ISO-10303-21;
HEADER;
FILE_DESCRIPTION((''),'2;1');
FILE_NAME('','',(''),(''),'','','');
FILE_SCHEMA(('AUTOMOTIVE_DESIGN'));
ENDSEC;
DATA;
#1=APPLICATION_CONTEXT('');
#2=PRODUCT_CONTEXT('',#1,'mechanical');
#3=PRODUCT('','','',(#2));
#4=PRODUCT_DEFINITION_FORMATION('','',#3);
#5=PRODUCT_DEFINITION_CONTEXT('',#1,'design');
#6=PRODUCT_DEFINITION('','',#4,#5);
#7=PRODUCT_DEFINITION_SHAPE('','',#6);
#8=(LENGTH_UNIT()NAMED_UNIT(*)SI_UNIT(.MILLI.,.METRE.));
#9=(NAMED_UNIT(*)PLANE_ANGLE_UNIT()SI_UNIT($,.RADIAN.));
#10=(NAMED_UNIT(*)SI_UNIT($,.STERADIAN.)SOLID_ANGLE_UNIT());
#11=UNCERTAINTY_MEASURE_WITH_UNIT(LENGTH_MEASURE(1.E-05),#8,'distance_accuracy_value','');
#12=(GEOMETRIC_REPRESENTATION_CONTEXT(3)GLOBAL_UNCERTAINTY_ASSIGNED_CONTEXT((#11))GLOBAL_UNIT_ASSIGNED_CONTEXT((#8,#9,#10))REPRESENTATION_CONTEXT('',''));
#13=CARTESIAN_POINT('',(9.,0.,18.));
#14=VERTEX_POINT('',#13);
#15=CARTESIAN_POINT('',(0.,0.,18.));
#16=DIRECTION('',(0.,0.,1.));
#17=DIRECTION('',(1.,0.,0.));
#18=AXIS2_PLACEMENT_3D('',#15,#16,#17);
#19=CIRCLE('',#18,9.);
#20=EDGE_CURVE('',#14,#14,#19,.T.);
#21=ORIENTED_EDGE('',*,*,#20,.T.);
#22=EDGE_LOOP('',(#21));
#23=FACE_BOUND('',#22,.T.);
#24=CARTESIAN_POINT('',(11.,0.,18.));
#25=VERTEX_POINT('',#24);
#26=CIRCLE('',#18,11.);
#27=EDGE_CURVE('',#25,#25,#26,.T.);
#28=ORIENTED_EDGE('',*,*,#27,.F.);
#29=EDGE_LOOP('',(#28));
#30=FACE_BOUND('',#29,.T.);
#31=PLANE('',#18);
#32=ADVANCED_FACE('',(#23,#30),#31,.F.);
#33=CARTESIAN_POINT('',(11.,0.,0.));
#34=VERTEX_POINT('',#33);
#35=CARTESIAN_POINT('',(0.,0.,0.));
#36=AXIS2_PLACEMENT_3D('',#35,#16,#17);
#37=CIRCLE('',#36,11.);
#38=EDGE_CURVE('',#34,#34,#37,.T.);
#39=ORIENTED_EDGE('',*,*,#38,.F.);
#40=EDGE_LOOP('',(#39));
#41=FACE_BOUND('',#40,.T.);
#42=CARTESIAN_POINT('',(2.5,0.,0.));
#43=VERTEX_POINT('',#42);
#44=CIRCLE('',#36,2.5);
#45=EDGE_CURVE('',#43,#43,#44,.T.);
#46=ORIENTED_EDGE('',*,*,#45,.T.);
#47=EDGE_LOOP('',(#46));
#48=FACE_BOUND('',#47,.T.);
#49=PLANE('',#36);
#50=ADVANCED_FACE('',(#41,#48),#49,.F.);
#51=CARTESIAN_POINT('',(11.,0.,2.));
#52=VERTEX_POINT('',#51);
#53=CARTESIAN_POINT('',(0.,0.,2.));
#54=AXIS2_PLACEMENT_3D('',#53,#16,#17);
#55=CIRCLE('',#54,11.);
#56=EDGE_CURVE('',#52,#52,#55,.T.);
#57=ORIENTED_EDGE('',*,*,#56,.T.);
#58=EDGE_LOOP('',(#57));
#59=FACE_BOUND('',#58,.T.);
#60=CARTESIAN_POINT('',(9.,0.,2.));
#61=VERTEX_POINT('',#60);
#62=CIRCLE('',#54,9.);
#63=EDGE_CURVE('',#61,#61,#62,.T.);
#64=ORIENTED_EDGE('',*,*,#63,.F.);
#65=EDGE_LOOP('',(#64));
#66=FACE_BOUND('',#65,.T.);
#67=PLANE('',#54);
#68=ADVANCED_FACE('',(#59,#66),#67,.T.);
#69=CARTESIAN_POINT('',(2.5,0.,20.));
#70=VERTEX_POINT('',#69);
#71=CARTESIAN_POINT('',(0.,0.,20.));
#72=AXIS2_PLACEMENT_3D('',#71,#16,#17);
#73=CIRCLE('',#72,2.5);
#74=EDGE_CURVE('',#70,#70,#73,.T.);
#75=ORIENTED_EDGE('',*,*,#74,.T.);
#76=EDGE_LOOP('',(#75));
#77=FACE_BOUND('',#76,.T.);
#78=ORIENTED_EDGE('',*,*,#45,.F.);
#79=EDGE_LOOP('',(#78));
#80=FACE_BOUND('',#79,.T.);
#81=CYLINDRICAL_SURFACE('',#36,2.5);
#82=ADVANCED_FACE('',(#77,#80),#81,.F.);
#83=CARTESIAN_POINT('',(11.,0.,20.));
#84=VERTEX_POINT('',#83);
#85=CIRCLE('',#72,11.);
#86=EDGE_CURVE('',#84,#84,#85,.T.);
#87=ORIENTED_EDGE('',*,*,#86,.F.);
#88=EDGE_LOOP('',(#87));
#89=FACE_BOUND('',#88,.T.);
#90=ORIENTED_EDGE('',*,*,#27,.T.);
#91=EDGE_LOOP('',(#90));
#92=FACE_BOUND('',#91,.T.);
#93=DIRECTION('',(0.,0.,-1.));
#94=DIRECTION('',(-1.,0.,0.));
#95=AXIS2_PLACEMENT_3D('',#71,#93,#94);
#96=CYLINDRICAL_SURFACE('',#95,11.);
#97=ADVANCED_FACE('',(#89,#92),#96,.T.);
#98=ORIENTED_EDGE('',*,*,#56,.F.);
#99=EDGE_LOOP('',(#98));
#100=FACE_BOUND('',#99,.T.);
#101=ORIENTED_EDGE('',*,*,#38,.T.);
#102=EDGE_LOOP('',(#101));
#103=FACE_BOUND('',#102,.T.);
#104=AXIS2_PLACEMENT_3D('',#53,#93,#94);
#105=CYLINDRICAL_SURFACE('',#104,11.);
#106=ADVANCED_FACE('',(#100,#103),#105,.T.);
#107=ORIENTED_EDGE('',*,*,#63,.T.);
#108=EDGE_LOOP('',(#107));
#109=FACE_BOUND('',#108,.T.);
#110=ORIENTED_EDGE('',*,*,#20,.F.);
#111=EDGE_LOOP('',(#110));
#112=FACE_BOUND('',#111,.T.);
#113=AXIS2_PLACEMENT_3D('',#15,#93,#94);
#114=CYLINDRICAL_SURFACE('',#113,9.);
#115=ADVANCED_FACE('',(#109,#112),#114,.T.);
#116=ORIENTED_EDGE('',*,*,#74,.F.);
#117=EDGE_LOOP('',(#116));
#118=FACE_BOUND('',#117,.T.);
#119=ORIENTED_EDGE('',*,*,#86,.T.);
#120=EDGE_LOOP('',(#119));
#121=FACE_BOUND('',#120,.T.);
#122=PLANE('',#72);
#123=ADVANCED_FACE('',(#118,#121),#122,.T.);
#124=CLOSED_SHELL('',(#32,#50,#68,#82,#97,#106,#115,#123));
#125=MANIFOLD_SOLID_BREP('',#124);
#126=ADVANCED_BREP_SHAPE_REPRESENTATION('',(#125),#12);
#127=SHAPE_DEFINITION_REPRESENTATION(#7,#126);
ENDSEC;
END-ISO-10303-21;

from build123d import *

# Parameters (mm, degrees)
SKETCH_1_R          = 11
EXTRUDE_1_DEPTH     = 2
SKETCH_2_R          = 9
EXTRUDE_2_DEPTH     = 16
SKETCH_3_R          = 11
EXTRUDE_3_DEPTH     = 2
SKETCH_4_R          = 2.5
CUT_EXTRUDE_1_DEPTH = 26.337718919


with BuildPart() as part:
    # Эскиз1 → Бобышка-Вытянуть1 (new body)
    with BuildSketch(Plane.XY):
        Circle(SKETCH_1_R)
    extrude(amount=EXTRUDE_1_DEPTH)

    # Эскиз2 → Бобышка-Вытянуть2 (add)
    with BuildSketch(Plane.XY.offset(2)):
        Circle(SKETCH_2_R)
    extrude(amount=EXTRUDE_2_DEPTH)

    # Эскиз3 → Бобышка-Вытянуть3 (add)
    with BuildSketch(Plane.XY.offset(18)):
        Circle(SKETCH_3_R)
    extrude(amount=EXTRUDE_3_DEPTH)

    # Эскиз4 → Вырез-Вытянуть1 (cut, through all)
    with BuildSketch(Plane.XY.offset(20)):
        Circle(SKETCH_4_R)
    extrude(amount=-CUT_EXTRUDE_1_DEPTH, mode=Mode.SUBTRACT)


solid = part.part
